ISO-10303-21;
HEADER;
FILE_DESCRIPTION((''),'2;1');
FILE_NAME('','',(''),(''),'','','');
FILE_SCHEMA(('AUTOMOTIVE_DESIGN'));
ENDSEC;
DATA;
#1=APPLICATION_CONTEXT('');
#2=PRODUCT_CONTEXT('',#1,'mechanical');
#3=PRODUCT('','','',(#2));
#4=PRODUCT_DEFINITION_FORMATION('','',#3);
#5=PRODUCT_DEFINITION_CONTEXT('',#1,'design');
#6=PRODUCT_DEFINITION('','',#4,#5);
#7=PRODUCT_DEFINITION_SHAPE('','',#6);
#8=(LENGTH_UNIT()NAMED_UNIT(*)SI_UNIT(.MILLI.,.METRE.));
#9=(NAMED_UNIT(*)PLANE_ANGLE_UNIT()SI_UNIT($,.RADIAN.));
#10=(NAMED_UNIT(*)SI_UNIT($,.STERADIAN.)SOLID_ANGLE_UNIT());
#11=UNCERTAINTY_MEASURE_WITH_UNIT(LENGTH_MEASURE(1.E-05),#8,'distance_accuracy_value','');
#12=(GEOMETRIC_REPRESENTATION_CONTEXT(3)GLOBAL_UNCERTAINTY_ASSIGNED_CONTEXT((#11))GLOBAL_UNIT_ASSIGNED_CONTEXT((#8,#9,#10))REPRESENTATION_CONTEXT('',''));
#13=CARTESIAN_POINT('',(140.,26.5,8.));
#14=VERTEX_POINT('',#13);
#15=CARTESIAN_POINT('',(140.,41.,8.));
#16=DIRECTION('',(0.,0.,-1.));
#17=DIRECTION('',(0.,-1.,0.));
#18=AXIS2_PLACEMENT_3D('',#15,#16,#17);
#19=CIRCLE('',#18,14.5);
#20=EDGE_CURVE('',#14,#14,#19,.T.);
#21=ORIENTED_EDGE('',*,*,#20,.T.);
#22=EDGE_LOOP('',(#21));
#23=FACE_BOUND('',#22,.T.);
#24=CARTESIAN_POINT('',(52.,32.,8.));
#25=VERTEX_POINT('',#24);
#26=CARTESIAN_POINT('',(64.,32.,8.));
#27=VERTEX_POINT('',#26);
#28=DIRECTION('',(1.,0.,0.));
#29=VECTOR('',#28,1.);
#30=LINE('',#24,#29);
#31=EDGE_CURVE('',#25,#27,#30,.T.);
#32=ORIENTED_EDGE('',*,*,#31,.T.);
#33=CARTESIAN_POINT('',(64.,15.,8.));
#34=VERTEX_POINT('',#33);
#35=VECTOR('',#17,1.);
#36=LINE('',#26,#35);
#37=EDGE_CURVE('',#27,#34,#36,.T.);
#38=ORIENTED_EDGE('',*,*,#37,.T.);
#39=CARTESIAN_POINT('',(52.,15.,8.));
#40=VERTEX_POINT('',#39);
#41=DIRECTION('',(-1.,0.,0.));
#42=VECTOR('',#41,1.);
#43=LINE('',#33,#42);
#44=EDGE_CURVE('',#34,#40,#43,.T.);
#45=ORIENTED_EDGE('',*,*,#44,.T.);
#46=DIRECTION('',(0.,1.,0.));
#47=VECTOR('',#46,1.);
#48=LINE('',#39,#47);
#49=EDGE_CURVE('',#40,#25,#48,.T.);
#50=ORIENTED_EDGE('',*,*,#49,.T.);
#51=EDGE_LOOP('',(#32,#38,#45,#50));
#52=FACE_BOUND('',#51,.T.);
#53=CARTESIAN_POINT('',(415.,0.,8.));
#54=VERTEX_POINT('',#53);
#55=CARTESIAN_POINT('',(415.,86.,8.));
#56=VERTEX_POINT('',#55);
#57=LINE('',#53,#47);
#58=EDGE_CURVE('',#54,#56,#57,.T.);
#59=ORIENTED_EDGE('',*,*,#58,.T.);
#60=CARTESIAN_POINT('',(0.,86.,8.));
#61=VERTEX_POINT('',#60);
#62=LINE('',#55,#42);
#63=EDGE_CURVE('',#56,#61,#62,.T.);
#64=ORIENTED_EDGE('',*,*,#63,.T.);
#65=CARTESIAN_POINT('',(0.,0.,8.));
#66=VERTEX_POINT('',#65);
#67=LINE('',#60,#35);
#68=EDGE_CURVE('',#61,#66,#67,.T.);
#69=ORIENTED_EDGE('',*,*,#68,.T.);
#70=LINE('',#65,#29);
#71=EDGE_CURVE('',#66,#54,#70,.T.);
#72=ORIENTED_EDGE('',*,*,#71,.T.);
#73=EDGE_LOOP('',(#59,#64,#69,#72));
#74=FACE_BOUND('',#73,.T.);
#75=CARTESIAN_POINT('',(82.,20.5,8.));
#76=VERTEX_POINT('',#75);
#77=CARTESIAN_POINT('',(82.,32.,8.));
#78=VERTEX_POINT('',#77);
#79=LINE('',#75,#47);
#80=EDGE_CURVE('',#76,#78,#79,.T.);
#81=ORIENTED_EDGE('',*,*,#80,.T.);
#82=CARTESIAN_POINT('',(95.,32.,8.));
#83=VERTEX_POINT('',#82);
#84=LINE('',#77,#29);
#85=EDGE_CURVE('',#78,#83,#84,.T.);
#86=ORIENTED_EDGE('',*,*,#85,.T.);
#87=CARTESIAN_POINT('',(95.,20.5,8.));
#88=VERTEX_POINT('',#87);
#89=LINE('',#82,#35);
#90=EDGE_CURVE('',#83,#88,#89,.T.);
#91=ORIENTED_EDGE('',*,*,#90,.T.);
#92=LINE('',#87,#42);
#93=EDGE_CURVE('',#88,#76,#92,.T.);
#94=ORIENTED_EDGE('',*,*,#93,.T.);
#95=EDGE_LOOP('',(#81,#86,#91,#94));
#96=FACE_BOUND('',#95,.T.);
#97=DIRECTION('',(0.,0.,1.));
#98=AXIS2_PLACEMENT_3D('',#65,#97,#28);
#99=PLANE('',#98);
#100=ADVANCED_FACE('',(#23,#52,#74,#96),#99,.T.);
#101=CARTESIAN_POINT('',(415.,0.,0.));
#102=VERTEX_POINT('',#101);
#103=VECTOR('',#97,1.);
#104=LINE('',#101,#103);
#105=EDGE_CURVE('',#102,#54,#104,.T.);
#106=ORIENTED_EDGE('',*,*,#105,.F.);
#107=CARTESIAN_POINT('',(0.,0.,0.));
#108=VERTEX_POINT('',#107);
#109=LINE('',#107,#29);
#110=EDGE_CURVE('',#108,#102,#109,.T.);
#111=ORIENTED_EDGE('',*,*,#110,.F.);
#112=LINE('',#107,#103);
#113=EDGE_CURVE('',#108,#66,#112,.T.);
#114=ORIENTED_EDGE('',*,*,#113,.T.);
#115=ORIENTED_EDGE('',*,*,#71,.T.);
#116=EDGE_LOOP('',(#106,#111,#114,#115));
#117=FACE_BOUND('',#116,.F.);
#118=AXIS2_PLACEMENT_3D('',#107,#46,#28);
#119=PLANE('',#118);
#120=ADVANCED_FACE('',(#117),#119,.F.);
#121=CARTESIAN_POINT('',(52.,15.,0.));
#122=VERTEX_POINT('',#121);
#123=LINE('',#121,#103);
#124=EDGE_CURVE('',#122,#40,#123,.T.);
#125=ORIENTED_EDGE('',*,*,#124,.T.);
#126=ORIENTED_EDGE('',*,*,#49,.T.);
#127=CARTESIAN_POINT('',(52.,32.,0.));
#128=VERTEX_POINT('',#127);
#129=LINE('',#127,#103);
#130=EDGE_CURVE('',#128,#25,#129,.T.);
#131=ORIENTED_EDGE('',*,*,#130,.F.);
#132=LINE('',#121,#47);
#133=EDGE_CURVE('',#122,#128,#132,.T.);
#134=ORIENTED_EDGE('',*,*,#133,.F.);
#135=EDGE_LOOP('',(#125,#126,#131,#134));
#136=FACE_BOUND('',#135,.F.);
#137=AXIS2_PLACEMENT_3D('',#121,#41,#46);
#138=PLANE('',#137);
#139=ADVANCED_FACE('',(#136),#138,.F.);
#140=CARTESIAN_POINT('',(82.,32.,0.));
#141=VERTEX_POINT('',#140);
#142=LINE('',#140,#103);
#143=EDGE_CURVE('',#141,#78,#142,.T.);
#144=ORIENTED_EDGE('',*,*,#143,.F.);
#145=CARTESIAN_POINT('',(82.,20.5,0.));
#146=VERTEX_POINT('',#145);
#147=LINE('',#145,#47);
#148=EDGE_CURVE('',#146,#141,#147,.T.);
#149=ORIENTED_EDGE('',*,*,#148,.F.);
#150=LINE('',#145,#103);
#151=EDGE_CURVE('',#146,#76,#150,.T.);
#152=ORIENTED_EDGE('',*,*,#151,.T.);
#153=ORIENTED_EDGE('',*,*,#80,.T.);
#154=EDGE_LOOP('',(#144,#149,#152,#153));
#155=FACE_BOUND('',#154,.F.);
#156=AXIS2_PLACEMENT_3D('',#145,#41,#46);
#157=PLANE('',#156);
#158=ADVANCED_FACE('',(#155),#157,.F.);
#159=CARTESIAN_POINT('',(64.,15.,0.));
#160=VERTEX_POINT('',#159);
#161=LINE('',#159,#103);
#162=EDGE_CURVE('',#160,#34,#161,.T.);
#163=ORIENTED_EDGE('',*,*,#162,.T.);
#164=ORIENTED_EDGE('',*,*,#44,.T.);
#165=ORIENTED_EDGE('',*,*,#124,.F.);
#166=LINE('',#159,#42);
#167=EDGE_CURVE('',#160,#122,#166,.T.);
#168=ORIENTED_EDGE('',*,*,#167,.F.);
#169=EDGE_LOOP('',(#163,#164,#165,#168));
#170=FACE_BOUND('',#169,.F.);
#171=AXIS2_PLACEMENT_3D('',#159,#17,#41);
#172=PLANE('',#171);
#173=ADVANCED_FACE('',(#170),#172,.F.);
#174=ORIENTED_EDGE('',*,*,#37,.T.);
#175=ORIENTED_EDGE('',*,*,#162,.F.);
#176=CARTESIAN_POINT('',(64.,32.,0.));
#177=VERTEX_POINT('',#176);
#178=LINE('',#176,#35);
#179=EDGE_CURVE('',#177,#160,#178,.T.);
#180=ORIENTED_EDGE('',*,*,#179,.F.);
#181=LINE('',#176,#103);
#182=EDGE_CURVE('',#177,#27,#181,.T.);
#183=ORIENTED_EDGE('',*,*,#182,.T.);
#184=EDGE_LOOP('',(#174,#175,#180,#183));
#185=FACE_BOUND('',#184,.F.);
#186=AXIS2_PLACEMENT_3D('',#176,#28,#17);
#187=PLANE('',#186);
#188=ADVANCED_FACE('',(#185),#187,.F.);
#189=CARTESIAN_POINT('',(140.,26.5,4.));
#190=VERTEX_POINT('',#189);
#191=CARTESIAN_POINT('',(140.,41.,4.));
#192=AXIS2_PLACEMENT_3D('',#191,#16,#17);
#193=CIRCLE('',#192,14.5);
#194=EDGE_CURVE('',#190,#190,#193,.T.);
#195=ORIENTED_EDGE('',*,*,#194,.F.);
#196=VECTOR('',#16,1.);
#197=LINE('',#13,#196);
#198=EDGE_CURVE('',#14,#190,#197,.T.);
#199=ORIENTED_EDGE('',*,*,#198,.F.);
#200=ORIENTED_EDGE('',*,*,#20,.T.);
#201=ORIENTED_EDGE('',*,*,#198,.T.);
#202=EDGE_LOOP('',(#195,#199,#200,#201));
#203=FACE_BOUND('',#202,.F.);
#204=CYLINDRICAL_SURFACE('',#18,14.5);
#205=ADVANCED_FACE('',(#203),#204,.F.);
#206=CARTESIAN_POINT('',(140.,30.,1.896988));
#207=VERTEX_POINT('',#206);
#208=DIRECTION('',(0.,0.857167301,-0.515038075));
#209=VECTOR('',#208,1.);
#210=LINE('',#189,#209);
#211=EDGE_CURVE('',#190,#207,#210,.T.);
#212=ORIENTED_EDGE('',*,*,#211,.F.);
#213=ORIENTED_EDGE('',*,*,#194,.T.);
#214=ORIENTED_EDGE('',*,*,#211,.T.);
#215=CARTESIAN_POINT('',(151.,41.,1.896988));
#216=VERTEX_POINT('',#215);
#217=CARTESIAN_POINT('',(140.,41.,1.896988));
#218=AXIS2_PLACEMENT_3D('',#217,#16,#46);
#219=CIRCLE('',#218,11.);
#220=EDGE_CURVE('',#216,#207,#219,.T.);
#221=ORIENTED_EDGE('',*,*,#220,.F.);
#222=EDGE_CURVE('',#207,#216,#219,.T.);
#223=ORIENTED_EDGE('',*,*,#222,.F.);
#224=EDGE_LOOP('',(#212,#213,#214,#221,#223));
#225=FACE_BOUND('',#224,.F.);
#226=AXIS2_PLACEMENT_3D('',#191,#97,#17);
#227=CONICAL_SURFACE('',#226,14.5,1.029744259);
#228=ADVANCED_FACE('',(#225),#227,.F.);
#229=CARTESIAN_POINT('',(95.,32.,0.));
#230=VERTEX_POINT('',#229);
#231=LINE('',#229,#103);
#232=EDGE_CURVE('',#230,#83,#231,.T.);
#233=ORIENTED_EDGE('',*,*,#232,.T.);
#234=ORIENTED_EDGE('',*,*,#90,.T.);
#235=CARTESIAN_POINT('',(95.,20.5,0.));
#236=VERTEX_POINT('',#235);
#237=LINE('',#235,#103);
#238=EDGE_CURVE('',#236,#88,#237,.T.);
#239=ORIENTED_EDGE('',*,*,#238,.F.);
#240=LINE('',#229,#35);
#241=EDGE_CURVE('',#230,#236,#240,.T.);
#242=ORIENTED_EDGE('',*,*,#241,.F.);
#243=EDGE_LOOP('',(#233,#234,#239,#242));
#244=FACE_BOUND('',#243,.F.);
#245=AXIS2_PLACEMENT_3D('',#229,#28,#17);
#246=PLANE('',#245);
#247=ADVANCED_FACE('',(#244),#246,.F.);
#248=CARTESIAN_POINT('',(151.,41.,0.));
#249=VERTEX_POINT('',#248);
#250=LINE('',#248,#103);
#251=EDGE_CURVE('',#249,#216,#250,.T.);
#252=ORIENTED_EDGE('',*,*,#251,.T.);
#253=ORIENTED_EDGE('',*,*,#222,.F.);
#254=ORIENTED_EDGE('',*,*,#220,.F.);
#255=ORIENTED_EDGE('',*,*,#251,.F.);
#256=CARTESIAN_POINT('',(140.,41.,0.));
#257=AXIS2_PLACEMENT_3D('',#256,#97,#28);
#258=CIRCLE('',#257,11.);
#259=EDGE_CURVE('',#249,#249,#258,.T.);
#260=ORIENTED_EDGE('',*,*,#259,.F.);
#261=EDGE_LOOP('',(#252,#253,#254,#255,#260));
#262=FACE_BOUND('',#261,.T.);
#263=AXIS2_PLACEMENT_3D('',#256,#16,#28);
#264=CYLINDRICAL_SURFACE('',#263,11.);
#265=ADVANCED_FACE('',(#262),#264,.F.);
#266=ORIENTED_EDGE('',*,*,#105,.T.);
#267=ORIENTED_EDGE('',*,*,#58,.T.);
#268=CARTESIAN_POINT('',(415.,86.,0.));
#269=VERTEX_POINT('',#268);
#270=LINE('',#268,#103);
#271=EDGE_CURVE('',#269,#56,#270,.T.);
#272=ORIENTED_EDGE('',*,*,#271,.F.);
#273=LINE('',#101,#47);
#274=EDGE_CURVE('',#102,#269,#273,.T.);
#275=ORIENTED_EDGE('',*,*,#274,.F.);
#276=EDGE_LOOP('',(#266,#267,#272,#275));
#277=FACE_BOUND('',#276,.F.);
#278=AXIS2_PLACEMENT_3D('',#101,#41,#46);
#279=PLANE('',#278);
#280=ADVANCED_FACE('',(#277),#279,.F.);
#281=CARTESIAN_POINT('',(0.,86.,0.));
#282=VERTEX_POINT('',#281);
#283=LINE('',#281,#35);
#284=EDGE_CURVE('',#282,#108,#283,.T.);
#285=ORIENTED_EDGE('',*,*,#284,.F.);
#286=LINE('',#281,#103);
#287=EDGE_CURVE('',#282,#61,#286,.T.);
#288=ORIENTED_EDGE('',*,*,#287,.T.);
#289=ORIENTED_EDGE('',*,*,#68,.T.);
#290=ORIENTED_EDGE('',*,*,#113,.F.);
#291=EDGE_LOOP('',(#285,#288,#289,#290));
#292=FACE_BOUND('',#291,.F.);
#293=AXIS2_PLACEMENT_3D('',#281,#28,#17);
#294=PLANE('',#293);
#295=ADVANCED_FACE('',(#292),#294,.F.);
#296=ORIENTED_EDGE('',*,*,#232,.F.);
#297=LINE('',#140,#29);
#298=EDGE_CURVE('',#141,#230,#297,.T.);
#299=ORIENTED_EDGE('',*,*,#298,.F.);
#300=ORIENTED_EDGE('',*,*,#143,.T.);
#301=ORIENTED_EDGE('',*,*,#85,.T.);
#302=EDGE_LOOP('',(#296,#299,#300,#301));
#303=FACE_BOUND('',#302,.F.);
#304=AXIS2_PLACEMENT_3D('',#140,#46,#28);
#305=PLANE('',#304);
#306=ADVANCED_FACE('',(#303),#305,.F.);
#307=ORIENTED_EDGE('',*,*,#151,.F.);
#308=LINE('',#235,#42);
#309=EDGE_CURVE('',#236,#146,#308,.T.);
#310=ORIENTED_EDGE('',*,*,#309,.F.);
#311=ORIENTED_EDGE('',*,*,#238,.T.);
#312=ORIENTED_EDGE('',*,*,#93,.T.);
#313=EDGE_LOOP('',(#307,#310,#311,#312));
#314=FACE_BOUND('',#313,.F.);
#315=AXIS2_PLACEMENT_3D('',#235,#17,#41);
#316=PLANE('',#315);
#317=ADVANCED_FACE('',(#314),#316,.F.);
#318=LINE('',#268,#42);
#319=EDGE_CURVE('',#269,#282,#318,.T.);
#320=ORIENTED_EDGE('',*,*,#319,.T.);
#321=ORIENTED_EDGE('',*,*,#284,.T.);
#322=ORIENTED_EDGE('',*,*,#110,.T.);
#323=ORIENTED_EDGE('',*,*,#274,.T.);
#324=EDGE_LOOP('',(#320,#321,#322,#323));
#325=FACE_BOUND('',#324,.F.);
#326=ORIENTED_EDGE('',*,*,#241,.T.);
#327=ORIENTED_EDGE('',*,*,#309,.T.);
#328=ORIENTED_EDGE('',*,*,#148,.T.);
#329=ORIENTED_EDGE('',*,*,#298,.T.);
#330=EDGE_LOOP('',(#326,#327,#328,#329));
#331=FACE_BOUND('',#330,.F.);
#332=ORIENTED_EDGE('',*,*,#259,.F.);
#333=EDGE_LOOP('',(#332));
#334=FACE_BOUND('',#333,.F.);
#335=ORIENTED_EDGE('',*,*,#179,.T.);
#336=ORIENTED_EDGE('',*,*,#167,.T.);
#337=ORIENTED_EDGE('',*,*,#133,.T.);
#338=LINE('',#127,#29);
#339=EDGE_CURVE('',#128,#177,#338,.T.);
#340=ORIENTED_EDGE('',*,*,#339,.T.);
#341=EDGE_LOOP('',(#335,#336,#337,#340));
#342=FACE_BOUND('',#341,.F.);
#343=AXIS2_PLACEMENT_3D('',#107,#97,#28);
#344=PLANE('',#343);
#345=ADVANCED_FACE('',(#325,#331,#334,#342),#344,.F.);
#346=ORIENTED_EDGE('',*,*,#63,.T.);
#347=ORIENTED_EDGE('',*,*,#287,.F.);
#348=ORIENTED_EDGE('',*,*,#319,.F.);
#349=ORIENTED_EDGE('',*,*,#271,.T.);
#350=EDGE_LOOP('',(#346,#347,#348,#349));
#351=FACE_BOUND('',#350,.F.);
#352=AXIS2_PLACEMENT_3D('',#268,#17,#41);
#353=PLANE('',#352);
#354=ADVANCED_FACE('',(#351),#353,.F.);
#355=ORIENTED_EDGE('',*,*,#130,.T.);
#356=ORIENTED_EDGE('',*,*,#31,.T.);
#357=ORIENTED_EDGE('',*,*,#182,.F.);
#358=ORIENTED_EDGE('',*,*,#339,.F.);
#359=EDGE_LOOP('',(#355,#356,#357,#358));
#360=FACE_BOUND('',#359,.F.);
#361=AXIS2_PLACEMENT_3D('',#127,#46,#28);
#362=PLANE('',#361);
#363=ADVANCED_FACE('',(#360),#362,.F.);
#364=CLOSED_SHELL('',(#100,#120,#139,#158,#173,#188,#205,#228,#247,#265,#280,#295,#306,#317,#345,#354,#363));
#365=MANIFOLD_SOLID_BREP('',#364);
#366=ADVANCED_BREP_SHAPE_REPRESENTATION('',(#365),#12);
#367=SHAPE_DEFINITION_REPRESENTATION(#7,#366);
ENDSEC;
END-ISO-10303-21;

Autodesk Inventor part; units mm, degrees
ref_plane "YZ Plane" through (0, 0, 0) normal (1, 0, 0) x (0, 1, 0)
ref_plane "XZ Plane" through (0, 0, 0) normal (0, 1, 0) x (-1, 0, 0)
ref_plane "XY Plane" through (0, 0, 0) normal (0, 0, 1) x (1, 0, 0)
sketch "Sketch1" plane through (0, 0, 0) normal (0, 0, 1) x (1, 0, 0)
  line L0 (0, 0) -> (415, 0)
  line L1 (415, 0) -> (415, 86)
  line L2 (415, 86) -> (0, 86)
  line L3 (0, 86) -> (0, 0)
  line L4 (82, 32) -> (95, 32)
  line L5 (95, 32) -> (95, 20.5)
  line L6 (95, 20.5) -> (82, 20.5)
  line L7 (82, 20.5) -> (82, 32)
  line L8 (52, 32) -> (64, 32)
  line L9 (64, 32) -> (64, 15)
  line L10 (64, 15) -> (52, 15)
  line L11 (52, 15) -> (52, 32)
  circle A0 centre (140, 41) radius 11
  dimension "d0" = 415
  dimension "d1" = 86
  dimension "d2" = 82
  dimension "d3" = 54
  dimension "d4" = 13
  dimension "d5" = 11.5
  dimension "d8" = 18
  dimension "d9" = 12
  dimension "d10" = 17
  dimension "d11" = 54
  dimension "d12" = 22
  dimension "d13" = 45
  dimension "d14" = 45
ref_plane "Work Plane1" through (0, 0, 0) normal (0, 0, -1) x (-1, 0, 0)
extrude "Extrusion2" add sketch "Sketch1" along normal blind 8
hole "Hole1" at (140, 41, 8) direction (0, 0, -1) diameter 29 depth 4 tip angle 118
properties part number "placa laterala usb"
